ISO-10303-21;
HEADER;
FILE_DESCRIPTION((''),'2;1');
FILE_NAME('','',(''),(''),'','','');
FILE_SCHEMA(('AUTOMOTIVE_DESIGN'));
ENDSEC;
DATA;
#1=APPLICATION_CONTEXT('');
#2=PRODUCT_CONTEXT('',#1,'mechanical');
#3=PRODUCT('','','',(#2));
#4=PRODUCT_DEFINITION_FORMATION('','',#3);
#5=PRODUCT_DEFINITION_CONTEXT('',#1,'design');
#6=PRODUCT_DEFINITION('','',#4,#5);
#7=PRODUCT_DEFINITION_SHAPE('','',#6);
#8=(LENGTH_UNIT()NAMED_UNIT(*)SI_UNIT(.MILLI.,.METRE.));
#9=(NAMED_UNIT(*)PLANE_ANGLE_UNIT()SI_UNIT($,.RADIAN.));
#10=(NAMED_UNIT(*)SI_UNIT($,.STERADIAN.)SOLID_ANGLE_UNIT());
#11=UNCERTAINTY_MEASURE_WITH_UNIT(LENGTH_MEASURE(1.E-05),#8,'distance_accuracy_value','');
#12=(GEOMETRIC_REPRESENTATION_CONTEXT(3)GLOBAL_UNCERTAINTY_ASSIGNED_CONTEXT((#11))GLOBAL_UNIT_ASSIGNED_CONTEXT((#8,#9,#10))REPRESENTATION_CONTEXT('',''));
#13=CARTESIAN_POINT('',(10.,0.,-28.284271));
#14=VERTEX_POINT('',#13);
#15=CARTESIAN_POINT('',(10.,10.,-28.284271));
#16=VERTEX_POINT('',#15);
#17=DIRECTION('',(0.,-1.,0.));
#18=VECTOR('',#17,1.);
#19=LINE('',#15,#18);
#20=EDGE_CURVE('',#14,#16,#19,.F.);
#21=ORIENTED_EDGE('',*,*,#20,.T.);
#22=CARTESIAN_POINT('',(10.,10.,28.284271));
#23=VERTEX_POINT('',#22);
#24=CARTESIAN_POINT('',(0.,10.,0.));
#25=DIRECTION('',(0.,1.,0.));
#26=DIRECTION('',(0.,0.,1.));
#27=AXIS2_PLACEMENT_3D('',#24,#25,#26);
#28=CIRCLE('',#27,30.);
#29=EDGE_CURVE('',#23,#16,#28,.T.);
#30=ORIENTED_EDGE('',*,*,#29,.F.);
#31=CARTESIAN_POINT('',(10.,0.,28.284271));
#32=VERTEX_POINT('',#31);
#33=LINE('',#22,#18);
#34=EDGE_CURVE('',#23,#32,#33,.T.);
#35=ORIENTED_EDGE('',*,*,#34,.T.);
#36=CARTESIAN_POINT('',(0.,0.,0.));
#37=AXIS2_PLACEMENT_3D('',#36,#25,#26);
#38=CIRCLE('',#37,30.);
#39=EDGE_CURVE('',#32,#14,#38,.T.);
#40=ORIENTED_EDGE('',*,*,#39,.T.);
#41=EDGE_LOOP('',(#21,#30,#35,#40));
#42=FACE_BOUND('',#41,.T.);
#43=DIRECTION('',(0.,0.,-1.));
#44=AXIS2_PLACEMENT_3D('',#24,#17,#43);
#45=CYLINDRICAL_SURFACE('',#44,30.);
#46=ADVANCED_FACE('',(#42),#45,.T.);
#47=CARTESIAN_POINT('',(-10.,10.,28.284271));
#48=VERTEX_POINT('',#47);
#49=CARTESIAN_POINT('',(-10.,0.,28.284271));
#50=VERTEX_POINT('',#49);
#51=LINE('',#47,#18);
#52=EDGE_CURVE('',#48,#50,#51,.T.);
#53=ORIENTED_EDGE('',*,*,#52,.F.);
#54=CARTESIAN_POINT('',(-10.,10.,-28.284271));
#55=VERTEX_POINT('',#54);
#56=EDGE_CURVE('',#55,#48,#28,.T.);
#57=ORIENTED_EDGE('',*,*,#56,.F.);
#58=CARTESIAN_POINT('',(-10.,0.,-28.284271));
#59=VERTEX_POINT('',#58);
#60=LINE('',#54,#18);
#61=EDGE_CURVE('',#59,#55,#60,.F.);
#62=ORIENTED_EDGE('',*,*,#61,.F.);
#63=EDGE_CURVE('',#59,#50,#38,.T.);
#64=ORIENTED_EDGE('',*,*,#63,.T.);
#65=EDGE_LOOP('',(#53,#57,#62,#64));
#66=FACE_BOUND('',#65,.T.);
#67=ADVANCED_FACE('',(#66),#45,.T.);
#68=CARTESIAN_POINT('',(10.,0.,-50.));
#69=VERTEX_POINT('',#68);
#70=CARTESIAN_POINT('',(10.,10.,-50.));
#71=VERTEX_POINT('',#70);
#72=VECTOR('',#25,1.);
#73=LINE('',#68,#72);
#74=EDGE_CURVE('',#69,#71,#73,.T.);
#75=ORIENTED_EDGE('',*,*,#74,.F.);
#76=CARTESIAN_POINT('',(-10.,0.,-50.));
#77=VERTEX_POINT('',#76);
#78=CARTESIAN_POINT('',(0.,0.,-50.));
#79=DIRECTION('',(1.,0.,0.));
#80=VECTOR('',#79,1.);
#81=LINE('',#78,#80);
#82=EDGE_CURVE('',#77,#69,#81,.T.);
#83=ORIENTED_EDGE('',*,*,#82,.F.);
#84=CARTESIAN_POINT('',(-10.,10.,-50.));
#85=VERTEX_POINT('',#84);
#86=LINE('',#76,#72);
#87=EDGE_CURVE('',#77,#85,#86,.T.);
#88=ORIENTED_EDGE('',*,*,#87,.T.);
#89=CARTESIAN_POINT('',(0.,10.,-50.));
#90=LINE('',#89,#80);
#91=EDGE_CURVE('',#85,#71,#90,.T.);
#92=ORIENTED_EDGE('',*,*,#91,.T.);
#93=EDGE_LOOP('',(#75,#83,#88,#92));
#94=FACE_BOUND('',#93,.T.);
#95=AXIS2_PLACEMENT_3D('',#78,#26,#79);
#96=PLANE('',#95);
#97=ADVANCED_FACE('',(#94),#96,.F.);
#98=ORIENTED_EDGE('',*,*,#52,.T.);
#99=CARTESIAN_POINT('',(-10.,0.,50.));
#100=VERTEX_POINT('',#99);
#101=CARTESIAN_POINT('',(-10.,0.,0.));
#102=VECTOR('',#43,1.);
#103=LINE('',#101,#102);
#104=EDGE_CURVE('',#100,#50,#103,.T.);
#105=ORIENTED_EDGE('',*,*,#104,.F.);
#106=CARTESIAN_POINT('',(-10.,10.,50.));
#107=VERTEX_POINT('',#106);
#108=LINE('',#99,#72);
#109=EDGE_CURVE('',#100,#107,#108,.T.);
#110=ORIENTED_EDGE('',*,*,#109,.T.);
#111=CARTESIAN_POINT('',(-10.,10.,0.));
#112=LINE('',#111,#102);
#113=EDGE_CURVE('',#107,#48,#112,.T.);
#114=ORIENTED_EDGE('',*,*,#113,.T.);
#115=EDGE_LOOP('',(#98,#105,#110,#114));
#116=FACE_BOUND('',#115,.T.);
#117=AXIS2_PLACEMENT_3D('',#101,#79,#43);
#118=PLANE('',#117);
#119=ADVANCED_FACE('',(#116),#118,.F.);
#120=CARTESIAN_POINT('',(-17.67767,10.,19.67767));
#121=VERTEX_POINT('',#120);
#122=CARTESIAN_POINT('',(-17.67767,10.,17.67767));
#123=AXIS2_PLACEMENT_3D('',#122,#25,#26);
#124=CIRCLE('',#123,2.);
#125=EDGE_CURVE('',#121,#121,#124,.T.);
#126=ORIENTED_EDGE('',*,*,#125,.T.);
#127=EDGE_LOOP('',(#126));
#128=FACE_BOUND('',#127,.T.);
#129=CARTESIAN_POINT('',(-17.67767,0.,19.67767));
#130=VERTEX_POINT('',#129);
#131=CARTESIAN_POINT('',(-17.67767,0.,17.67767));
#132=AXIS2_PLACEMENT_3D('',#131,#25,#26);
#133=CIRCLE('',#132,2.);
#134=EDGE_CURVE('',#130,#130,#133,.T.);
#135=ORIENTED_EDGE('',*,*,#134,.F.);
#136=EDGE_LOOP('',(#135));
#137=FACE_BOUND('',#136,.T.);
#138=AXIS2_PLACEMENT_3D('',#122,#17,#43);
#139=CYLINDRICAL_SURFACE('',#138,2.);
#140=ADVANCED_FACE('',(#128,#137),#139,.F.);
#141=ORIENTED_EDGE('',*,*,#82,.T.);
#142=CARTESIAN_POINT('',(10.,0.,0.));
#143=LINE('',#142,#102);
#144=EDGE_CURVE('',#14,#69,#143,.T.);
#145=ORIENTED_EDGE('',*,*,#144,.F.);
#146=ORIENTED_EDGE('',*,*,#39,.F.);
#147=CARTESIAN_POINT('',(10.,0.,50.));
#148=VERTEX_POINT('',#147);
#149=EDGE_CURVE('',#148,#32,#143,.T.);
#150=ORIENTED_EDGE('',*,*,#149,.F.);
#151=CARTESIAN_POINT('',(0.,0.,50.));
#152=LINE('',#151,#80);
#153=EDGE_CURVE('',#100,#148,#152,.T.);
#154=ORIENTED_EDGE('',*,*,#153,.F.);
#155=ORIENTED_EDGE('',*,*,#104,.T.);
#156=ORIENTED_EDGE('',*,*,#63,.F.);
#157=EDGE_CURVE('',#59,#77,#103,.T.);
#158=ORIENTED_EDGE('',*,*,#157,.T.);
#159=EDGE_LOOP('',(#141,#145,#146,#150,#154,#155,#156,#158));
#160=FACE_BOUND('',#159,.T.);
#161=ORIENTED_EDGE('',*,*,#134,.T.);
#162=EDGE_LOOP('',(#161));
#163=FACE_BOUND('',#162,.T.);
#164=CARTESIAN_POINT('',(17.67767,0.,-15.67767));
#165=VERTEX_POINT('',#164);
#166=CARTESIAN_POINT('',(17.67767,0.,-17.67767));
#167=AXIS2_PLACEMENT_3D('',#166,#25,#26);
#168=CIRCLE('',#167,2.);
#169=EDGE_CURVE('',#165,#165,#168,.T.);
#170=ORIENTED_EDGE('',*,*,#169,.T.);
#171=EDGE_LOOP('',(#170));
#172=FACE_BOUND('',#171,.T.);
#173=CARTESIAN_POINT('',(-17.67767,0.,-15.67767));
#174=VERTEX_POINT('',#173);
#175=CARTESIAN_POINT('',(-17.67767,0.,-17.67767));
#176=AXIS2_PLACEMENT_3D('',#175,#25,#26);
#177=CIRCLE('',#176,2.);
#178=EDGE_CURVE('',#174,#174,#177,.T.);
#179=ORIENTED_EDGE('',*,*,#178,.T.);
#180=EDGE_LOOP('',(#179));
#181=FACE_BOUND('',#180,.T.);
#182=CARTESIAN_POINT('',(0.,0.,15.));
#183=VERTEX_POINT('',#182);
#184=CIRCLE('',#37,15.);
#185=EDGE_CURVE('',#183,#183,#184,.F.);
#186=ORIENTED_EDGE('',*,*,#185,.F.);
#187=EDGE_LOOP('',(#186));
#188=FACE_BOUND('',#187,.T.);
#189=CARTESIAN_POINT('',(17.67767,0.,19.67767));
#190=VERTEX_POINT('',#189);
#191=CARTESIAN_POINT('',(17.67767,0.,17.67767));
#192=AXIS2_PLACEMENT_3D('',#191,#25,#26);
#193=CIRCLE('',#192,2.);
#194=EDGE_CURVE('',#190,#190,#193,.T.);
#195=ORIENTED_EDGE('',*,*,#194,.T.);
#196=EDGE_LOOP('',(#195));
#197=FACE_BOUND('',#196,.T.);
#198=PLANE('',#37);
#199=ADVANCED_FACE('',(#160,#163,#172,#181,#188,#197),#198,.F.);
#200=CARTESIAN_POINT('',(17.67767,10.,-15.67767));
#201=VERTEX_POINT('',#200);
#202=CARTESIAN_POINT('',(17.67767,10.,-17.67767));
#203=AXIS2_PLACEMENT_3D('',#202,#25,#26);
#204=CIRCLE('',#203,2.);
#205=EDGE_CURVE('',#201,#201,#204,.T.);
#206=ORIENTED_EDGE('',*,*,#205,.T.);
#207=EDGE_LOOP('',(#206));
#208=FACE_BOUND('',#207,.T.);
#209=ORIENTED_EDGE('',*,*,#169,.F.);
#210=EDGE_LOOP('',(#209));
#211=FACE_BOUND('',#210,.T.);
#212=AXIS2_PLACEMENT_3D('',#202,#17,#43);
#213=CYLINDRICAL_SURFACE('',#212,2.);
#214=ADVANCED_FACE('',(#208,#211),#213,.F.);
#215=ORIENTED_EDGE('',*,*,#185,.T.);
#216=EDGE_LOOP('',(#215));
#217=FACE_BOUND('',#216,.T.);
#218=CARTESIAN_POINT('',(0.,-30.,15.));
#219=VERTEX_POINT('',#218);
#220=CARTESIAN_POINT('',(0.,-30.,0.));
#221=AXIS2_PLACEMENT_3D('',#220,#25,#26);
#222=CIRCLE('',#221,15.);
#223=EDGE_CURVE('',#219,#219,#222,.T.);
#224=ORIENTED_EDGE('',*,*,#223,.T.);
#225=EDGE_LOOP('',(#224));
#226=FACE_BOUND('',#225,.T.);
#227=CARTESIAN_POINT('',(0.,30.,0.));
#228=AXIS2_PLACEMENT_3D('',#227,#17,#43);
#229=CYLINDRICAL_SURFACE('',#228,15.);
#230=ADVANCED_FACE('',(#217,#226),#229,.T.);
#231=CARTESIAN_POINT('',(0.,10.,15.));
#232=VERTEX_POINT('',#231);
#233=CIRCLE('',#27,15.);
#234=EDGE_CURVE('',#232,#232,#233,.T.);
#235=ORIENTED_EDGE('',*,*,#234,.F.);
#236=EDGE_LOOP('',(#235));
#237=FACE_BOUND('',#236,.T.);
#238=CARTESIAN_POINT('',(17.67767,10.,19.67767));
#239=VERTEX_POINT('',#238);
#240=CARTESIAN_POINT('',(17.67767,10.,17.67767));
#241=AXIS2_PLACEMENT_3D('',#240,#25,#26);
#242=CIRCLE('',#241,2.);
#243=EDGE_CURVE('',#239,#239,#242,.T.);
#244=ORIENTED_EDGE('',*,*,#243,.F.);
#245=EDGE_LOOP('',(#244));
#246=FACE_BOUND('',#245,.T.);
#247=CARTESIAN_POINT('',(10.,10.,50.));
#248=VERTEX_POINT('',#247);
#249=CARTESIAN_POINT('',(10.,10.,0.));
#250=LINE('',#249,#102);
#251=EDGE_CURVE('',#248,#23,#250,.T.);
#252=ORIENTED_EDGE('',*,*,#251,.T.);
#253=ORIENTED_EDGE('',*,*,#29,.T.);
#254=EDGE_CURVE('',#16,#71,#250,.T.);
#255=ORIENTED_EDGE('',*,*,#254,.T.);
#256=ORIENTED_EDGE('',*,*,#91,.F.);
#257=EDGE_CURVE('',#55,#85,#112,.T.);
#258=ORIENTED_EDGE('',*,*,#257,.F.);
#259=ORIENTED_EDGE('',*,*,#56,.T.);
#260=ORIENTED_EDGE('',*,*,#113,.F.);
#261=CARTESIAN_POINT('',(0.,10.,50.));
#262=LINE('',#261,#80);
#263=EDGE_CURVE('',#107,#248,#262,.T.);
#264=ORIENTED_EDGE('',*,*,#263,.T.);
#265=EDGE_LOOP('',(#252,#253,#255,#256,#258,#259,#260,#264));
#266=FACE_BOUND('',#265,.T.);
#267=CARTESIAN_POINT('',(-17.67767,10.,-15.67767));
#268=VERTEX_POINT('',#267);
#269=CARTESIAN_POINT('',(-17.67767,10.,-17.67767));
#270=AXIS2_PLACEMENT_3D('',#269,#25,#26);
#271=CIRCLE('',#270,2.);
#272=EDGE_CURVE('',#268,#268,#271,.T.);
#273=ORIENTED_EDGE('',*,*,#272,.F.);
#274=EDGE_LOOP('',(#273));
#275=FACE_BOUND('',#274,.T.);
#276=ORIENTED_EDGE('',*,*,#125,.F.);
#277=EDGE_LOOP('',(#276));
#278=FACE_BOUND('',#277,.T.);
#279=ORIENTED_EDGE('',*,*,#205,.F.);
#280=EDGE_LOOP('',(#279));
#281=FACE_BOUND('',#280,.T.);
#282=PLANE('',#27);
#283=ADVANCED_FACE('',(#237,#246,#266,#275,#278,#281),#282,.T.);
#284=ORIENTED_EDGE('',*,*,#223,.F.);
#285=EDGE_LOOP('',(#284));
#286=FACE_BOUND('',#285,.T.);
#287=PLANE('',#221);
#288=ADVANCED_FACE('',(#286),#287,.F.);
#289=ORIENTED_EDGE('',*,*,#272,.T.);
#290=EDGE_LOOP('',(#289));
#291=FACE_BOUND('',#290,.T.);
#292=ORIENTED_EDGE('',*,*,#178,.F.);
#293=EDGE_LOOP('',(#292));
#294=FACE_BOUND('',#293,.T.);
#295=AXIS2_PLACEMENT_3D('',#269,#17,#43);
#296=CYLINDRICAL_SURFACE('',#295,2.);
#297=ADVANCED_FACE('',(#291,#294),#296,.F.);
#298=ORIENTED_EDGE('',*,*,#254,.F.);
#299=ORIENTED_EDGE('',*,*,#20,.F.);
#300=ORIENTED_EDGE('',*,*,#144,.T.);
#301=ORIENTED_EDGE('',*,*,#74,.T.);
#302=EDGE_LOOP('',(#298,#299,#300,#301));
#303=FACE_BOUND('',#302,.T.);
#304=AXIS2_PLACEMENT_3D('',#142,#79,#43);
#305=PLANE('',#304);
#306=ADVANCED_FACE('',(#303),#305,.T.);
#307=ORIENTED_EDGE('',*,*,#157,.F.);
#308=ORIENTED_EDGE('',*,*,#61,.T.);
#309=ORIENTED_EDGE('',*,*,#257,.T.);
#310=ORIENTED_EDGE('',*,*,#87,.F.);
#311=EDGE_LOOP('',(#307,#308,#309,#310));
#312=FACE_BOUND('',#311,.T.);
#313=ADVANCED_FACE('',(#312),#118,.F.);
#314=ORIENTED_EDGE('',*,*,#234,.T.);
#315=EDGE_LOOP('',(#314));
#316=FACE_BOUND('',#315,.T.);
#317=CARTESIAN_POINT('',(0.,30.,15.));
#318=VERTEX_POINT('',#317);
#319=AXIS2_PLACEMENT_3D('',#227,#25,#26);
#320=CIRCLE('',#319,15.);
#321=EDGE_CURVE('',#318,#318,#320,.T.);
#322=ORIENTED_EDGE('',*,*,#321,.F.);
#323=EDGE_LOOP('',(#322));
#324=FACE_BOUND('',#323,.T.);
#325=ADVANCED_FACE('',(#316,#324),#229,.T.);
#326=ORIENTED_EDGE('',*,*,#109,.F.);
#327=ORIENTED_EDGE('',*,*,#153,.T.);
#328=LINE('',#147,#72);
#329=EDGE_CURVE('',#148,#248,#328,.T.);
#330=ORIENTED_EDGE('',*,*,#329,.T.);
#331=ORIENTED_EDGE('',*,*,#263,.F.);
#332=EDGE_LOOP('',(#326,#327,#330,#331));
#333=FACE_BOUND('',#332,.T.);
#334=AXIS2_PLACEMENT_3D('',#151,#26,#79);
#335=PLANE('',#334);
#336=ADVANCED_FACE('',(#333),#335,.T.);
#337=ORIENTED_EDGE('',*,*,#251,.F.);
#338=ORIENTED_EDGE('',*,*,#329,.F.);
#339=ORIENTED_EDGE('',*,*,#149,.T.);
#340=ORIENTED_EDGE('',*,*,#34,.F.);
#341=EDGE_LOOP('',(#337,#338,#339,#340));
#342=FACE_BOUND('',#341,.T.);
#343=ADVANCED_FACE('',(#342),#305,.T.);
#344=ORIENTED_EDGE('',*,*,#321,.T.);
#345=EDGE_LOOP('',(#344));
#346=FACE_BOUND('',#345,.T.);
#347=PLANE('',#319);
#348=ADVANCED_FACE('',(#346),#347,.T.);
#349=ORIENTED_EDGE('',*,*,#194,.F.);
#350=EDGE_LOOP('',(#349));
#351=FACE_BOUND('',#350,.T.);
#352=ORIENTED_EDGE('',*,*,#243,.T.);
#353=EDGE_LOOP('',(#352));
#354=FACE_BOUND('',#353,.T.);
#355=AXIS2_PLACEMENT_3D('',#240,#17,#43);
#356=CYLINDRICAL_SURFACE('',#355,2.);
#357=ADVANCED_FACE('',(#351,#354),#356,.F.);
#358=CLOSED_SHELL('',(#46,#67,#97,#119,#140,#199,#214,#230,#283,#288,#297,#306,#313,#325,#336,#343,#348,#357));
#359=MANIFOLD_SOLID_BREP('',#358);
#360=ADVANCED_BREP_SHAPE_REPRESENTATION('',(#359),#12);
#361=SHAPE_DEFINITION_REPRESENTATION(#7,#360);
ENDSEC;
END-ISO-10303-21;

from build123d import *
from build123d.topology import SkipClean

# Parameters (mm, degrees)
SKETCH1_R           = 30
SKETCH1_R_2         = 15
SKETCH1_R_3         = 2
BOSS_EXTRUDE1_DEPTH = 10
BOSS_EXTRUDE2_START = -10
BOSS_EXTRUDE2_DEPTH = 10
SKETCH5_R           = 15
BOSS_EXTRUDE3_DEPTH = 30


with BuildPart() as part:
    # Sketch1 → Boss-Extrude1 (new body)
    with BuildSketch(Plane(origin=(0, 0, 0), x_dir=(1, 0, 0), z_dir=(0, 1, 0))):
        with Locations(Location((0, 0, 0), (0, 0, 270))):
            Circle(SKETCH1_R)
        with Locations(Location((0, 0, 0), (0, 0, 270))):
            Circle(SKETCH1_R_2, mode=Mode.SUBTRACT)
        with Locations(Location((-17.67766953, 17.67766953, 0), (0, 0, 270))):
            Circle(SKETCH1_R_3, mode=Mode.SUBTRACT)
        with Locations(Location((17.67766953, 17.67766953, 0), (0, 0, 270))):
            Circle(SKETCH1_R_3, mode=Mode.SUBTRACT)
        with Locations(Location((17.67766953, -17.67766953, 0), (0, 0, 270))):
            Circle(SKETCH1_R_3, mode=Mode.SUBTRACT)
        with Locations(Location((-17.67766953, -17.67766953, 0), (0, 0, 270))):
            Circle(SKETCH1_R_3, mode=Mode.SUBTRACT)
    extrude(amount=BOSS_EXTRUDE1_DEPTH)

    # Sketch2 → Boss-Extrude2 (add)
    with SkipClean():  # the faces are left unmerged after this step: merging them gives an invalid solid
        with BuildSketch(Plane(origin=(0, 10, 0), x_dir=(1, 0, 0), z_dir=(0, 1, 0)).offset(BOSS_EXTRUDE2_START)):
            with BuildLine():
                ThreePointArc((-10, 11.180339887), (0, 15), (10, 11.180339887))
                Line((10, 11.180339887), (10, 28.284271247))
                ThreePointArc((10, 28.284271247), (0, 30), (-10, 28.284271247))
                Line((-10, 28.284271247), (-10, 11.180339887))
            make_face()
            with BuildLine():
                ThreePointArc((-10, 28.284271247), (0, 30), (10, 28.284271247))
                Line((10, 28.284271247), (10, 50))
                Line((10, 50), (-10, 50))
                Line((-10, 50), (-10, 28.284271247))
            make_face()
            with BuildLine():
                ThreePointArc((10, -11.180339887), (0, -15), (-10, -11.180339887))
                Line((-10, -11.180339887), (-10, -28.284271247))
                ThreePointArc((-10, -28.284271247), (0, -30), (10, -28.284271247))
                Line((10, -28.284271247), (10, -11.180339887))
            make_face()
            with BuildLine():
                Line((10, -50), (10, -28.284271247))
                ThreePointArc((10, -28.284271247), (0, -30), (-10, -28.284271247))
                Line((-10, -28.284271247), (-10, -50))
                Line((-10, -50), (10, -50))
            make_face()
        extrude(amount=BOSS_EXTRUDE2_DEPTH)

    # Sketch5 → Boss-Extrude3 (add, symmetric)
    with BuildSketch(Plane(origin=(0, 0, 0), x_dir=(1, 0, 0), z_dir=(0, 1, 0))):
        with Locations(Location((0, 0, 0), (0, 0, 270))):
            Circle(SKETCH5_R)
    extrude(amount=BOSS_EXTRUDE3_DEPTH, both=True)


solid = part.part
